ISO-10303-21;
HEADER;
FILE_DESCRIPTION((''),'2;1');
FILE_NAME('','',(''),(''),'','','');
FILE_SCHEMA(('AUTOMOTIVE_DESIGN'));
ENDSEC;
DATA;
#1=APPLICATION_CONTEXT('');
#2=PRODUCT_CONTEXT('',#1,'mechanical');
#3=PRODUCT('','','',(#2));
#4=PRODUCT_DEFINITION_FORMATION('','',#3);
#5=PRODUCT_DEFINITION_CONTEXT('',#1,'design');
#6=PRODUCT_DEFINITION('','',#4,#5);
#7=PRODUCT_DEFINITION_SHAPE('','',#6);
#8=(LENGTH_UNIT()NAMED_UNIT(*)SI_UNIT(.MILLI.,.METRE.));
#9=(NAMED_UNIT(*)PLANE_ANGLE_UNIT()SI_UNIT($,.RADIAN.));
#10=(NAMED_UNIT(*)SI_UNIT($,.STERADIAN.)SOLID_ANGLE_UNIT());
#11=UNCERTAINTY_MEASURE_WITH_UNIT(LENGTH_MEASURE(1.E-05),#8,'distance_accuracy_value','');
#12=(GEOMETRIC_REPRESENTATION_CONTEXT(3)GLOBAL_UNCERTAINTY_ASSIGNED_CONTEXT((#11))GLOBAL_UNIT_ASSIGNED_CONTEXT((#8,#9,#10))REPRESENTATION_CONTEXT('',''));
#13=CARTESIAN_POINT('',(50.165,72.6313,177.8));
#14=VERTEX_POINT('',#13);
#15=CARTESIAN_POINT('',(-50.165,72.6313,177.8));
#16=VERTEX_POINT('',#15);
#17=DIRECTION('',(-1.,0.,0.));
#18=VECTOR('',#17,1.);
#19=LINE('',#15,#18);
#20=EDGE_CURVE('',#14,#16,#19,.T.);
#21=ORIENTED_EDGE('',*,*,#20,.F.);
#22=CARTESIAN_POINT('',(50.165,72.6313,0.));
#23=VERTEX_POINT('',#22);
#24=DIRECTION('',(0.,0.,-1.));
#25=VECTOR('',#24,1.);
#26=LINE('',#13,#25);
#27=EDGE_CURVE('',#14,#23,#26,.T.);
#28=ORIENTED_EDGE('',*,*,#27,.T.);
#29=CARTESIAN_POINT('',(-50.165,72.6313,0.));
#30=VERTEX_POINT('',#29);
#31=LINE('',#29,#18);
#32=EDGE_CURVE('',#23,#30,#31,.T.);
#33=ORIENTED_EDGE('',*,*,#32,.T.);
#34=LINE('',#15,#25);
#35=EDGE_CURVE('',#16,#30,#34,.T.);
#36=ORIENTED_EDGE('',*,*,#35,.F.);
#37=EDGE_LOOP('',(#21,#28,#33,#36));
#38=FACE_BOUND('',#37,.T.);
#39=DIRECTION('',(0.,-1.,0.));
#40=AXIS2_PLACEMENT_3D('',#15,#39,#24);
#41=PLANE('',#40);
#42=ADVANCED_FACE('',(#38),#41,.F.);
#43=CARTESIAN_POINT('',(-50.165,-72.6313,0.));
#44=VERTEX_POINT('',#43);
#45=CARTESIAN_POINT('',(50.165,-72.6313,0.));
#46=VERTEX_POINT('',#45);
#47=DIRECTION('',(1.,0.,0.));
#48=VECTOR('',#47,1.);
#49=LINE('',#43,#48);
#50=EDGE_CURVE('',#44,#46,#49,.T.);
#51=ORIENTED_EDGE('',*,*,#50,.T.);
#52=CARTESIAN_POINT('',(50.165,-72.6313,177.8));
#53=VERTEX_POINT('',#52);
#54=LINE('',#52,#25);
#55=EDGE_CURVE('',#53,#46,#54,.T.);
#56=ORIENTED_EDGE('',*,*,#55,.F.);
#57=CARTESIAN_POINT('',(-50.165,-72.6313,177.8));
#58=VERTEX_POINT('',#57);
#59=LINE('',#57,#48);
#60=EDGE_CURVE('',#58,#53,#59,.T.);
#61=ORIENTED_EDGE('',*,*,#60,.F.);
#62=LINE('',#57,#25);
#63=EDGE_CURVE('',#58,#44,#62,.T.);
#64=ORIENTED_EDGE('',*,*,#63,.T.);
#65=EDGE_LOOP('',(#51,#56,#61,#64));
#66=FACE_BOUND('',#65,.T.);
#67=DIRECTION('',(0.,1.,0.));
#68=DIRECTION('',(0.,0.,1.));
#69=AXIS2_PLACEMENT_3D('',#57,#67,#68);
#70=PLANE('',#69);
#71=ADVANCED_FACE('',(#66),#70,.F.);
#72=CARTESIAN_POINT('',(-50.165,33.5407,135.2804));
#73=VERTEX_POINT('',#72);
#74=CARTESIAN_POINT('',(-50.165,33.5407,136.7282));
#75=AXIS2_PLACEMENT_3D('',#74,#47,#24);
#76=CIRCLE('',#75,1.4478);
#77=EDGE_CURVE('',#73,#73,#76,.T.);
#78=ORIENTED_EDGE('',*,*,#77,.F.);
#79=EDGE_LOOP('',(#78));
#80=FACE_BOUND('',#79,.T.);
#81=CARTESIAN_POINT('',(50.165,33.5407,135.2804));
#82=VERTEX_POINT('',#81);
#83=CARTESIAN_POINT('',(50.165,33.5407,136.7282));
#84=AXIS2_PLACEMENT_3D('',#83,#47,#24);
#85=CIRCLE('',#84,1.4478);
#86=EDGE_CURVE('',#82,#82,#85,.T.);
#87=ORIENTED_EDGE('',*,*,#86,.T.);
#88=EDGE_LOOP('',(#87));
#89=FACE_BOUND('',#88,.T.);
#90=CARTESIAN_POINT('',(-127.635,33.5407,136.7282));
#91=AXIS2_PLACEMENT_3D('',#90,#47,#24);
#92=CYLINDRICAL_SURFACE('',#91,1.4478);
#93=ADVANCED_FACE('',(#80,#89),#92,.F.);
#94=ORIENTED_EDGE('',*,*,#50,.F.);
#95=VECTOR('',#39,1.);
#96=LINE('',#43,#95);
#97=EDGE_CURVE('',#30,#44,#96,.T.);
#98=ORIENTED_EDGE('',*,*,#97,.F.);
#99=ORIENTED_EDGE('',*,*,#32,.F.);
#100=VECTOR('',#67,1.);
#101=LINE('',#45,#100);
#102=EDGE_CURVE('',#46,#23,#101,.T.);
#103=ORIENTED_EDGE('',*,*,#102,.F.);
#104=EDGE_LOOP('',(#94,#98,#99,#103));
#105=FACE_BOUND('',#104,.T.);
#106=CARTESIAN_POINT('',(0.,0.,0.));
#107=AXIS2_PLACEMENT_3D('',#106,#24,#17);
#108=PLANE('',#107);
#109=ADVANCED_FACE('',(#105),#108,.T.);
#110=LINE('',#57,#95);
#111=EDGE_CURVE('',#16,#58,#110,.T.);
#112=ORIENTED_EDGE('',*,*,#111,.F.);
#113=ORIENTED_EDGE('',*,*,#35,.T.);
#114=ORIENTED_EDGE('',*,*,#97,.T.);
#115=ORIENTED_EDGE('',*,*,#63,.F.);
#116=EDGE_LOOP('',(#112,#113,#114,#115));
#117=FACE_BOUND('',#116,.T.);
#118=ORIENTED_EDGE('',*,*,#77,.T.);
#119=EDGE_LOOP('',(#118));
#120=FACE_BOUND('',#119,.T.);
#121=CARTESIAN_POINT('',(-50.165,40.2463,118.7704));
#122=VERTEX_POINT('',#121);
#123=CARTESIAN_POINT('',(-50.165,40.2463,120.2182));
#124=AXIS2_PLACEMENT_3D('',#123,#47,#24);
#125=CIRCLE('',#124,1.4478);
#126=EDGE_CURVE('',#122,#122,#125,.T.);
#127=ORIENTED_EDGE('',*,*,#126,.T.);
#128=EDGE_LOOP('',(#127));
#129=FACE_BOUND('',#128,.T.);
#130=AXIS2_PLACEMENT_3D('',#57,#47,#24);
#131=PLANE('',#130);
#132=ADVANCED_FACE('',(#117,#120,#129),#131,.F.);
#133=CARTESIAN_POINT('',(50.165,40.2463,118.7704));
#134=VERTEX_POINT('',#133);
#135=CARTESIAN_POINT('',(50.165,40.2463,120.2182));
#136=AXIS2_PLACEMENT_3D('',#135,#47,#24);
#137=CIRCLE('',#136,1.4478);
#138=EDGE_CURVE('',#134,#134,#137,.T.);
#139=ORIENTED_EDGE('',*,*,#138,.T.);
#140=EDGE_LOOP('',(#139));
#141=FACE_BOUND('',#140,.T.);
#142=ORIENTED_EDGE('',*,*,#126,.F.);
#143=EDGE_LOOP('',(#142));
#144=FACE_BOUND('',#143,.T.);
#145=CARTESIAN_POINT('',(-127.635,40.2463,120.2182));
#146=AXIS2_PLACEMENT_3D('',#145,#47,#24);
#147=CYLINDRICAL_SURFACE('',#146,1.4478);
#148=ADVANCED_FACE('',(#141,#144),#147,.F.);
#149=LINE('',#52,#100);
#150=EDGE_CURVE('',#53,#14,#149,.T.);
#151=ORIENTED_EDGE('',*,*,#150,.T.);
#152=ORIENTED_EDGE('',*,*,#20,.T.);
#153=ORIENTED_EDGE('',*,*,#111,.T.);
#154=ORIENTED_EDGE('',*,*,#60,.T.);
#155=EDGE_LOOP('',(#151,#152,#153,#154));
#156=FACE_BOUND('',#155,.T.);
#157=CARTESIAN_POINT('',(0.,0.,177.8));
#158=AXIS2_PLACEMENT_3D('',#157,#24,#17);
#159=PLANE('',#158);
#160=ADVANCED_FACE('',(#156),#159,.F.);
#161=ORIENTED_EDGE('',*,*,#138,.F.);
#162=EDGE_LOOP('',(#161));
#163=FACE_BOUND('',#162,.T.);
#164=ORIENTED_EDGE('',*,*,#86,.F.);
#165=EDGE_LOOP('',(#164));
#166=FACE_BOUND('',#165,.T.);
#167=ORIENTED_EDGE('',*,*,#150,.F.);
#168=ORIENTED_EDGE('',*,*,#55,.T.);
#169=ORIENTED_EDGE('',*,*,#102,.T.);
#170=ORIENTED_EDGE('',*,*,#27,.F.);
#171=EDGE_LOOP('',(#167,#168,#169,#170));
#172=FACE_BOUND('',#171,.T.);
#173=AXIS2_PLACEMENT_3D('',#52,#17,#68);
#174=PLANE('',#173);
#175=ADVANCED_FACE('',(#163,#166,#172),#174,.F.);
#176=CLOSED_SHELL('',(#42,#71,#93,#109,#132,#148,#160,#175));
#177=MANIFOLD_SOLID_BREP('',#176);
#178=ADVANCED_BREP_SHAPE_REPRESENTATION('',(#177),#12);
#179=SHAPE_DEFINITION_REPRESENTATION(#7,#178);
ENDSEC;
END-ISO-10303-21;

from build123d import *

# Parameters (mm, degrees)
SKETCH1_W           = 100.33
SKETCH1_H           = 145.2626
BOSS_EXTRUDE1_DEPTH = 177.8
SKETCH2_R           = 1.4478
CUT_EXTRUDE1_DEPTH  = 177.8


with BuildPart() as part:
    # Sketch1 → Boss-Extrude1 (new body)
    with BuildSketch(Plane.XY):
        Rectangle(SKETCH1_W, SKETCH1_H)
    extrude(amount=BOSS_EXTRUDE1_DEPTH)

    # Sketch2 → Cut-Extrude1 (cut)
    with BuildSketch(Plane(origin=(50.165, 0, 0), x_dir=(0, 0, -1), z_dir=(1, 0, 0))):
        with Locations((-136.7282, 33.5407)):
            Circle(SKETCH2_R)
        with Locations((-120.2182, 40.2463)):
            Circle(SKETCH2_R)
    extrude(amount=-CUT_EXTRUDE1_DEPTH, mode=Mode.SUBTRACT)


solid = part.part
